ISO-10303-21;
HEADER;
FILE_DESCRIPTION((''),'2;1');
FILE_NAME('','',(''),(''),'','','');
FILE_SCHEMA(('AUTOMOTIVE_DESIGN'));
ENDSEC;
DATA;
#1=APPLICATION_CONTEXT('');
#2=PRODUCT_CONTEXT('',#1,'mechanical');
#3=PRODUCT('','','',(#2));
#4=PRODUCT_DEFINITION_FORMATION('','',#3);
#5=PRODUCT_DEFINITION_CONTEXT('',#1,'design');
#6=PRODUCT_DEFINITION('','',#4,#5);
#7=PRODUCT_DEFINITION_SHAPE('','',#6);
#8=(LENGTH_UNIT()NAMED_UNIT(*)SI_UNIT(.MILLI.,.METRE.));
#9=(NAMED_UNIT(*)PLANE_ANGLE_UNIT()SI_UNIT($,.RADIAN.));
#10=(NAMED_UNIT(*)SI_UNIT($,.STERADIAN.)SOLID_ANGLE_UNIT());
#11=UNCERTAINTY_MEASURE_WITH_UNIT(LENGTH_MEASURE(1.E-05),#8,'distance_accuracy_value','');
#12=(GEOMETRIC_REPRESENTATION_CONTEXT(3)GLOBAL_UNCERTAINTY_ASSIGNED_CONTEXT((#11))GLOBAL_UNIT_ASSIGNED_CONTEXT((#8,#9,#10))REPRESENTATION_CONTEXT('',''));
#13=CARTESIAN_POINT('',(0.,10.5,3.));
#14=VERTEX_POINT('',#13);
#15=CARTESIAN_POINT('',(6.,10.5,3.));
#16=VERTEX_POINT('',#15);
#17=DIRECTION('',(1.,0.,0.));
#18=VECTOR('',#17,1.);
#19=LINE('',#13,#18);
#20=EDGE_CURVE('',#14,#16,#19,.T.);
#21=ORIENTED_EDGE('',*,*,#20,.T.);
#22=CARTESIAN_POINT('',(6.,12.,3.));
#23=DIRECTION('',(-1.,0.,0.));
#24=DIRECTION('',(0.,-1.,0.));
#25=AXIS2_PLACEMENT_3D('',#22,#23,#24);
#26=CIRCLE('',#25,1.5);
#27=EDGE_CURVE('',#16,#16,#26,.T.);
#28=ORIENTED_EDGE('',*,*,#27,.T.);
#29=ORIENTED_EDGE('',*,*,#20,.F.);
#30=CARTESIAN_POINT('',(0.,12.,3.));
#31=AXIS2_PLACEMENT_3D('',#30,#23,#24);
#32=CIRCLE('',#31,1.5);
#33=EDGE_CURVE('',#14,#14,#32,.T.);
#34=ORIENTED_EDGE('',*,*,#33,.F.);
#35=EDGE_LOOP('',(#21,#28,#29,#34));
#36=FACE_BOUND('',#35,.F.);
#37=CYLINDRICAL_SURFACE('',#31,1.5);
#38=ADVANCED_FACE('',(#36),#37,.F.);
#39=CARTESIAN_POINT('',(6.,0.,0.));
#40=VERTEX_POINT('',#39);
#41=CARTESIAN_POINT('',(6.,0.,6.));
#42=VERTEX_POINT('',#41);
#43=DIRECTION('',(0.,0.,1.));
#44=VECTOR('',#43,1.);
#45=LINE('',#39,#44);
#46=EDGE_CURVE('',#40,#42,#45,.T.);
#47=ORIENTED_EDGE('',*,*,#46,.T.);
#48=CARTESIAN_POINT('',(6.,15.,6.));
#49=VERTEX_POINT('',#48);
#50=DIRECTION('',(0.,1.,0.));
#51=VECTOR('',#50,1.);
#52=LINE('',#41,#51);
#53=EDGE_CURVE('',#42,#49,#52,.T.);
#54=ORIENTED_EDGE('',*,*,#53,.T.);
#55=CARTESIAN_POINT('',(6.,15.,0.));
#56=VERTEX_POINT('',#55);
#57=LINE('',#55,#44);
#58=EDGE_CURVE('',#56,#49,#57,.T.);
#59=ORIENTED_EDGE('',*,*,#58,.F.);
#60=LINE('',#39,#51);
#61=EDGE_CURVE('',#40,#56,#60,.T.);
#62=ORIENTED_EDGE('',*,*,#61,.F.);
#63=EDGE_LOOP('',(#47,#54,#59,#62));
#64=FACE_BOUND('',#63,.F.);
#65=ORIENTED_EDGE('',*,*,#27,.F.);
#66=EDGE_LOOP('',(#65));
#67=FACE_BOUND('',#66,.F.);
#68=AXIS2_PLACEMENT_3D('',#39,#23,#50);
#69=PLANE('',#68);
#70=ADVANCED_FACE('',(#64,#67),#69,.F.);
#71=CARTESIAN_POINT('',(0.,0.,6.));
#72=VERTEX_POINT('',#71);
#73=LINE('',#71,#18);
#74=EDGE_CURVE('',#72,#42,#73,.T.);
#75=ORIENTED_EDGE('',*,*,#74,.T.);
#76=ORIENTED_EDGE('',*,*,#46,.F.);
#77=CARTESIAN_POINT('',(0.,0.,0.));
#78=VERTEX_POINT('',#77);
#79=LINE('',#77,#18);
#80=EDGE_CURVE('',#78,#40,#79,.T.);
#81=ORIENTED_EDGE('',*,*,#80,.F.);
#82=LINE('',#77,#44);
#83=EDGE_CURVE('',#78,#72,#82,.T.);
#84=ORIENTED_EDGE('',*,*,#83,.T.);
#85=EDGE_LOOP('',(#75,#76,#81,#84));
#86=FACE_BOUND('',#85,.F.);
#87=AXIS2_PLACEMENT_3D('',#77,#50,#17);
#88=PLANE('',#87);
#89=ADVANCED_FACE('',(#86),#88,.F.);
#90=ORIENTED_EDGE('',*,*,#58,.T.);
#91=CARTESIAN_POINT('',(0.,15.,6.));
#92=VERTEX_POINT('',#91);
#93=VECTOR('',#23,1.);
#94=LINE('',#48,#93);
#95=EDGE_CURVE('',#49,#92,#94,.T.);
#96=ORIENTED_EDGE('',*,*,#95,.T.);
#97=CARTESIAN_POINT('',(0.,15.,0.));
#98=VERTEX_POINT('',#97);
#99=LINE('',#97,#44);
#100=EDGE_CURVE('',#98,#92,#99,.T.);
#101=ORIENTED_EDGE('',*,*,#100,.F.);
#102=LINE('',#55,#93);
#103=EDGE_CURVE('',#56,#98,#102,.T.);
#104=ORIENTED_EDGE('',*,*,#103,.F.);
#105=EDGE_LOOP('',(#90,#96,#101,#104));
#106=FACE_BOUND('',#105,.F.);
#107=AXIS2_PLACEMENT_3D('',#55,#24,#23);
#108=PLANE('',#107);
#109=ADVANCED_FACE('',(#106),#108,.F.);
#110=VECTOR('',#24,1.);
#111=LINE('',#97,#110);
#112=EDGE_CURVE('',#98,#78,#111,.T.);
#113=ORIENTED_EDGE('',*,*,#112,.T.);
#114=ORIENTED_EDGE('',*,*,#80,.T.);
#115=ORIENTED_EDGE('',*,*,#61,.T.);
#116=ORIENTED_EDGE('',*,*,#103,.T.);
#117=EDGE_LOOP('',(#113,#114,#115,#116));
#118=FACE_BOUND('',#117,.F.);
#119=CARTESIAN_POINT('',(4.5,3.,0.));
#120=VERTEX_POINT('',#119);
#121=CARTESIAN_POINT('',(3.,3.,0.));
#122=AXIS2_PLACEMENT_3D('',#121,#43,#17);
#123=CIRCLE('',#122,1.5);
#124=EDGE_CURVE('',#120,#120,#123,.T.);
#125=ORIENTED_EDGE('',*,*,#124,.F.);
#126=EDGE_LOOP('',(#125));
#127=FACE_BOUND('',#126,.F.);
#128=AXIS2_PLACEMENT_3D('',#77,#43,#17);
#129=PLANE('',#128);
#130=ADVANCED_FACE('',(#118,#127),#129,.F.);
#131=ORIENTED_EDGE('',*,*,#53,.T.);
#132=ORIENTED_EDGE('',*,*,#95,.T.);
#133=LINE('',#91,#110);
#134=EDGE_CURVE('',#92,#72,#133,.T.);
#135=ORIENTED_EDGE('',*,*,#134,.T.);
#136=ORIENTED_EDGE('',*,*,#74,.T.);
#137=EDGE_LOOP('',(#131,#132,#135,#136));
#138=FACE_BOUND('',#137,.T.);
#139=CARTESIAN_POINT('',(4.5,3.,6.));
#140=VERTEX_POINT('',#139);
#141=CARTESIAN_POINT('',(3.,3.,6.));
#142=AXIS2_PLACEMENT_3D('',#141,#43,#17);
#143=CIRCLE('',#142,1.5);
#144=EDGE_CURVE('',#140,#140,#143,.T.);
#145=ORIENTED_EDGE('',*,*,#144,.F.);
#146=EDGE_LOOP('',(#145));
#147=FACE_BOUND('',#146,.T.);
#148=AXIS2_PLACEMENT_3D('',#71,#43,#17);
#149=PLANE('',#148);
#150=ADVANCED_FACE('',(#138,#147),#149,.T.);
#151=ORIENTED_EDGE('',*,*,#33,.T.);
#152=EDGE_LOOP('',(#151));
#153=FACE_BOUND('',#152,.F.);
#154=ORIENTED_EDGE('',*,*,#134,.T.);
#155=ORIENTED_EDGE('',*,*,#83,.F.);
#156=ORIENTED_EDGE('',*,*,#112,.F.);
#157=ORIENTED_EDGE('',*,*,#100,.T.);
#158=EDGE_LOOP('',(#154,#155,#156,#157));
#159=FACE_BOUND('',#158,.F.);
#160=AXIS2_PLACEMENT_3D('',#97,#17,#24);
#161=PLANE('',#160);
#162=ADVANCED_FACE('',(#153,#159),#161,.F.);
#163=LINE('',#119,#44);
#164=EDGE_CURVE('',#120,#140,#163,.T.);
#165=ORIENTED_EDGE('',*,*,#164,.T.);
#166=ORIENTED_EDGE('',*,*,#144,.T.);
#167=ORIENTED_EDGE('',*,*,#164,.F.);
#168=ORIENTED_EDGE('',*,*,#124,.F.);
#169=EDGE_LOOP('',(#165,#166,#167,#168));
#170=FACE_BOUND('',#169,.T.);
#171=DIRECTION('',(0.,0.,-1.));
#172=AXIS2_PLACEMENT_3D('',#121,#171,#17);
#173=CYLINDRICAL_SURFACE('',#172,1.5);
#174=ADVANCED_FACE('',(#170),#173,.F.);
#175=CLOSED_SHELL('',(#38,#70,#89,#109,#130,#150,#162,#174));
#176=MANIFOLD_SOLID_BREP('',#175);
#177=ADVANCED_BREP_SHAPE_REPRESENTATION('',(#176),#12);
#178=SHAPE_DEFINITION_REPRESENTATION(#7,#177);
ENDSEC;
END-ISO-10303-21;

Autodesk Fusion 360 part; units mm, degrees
sketch "Sketch1" plane through (0, 0, 0) normal (0, 0, 1) x (1, 0, 0)
  line L0 (0, 0) -> (6, 0)
  line L1 (6, 0) -> (6, 15)
  line L2 (6, 15) -> (0, 15)
  line L3 (0, 15) -> (0, 0)
  circle A0 centre (3, 3) radius 1.5
  dimension "d1" = 6
  dimension "d2" = 15
  dimension "d3" = 3
  dimension "d4" = 3
  dimension "d5" = 3
extrude "Extrude1" add sketch "Sketch1" along normal blind 6
sketch "Sketch2" plane through (0, 0, 0) normal (-1, 0, 0) x (0, -1, 0)
  line L0 (-15, 0) -> (0, 0)
  line L1 (0, 0) -> (0, 6)
  line L2 (0, 6) -> (-15, 6)
  line L3 (-15, 6) -> (-15, 0)
  circle A0 centre (-12, 3) radius 1.5
  dimension "d8" = 3
  dimension "d9" = 3
  dimension "d10" = 3
extrude "Extrude2" cut sketch "Sketch2" against normal blind 6 contours A0
